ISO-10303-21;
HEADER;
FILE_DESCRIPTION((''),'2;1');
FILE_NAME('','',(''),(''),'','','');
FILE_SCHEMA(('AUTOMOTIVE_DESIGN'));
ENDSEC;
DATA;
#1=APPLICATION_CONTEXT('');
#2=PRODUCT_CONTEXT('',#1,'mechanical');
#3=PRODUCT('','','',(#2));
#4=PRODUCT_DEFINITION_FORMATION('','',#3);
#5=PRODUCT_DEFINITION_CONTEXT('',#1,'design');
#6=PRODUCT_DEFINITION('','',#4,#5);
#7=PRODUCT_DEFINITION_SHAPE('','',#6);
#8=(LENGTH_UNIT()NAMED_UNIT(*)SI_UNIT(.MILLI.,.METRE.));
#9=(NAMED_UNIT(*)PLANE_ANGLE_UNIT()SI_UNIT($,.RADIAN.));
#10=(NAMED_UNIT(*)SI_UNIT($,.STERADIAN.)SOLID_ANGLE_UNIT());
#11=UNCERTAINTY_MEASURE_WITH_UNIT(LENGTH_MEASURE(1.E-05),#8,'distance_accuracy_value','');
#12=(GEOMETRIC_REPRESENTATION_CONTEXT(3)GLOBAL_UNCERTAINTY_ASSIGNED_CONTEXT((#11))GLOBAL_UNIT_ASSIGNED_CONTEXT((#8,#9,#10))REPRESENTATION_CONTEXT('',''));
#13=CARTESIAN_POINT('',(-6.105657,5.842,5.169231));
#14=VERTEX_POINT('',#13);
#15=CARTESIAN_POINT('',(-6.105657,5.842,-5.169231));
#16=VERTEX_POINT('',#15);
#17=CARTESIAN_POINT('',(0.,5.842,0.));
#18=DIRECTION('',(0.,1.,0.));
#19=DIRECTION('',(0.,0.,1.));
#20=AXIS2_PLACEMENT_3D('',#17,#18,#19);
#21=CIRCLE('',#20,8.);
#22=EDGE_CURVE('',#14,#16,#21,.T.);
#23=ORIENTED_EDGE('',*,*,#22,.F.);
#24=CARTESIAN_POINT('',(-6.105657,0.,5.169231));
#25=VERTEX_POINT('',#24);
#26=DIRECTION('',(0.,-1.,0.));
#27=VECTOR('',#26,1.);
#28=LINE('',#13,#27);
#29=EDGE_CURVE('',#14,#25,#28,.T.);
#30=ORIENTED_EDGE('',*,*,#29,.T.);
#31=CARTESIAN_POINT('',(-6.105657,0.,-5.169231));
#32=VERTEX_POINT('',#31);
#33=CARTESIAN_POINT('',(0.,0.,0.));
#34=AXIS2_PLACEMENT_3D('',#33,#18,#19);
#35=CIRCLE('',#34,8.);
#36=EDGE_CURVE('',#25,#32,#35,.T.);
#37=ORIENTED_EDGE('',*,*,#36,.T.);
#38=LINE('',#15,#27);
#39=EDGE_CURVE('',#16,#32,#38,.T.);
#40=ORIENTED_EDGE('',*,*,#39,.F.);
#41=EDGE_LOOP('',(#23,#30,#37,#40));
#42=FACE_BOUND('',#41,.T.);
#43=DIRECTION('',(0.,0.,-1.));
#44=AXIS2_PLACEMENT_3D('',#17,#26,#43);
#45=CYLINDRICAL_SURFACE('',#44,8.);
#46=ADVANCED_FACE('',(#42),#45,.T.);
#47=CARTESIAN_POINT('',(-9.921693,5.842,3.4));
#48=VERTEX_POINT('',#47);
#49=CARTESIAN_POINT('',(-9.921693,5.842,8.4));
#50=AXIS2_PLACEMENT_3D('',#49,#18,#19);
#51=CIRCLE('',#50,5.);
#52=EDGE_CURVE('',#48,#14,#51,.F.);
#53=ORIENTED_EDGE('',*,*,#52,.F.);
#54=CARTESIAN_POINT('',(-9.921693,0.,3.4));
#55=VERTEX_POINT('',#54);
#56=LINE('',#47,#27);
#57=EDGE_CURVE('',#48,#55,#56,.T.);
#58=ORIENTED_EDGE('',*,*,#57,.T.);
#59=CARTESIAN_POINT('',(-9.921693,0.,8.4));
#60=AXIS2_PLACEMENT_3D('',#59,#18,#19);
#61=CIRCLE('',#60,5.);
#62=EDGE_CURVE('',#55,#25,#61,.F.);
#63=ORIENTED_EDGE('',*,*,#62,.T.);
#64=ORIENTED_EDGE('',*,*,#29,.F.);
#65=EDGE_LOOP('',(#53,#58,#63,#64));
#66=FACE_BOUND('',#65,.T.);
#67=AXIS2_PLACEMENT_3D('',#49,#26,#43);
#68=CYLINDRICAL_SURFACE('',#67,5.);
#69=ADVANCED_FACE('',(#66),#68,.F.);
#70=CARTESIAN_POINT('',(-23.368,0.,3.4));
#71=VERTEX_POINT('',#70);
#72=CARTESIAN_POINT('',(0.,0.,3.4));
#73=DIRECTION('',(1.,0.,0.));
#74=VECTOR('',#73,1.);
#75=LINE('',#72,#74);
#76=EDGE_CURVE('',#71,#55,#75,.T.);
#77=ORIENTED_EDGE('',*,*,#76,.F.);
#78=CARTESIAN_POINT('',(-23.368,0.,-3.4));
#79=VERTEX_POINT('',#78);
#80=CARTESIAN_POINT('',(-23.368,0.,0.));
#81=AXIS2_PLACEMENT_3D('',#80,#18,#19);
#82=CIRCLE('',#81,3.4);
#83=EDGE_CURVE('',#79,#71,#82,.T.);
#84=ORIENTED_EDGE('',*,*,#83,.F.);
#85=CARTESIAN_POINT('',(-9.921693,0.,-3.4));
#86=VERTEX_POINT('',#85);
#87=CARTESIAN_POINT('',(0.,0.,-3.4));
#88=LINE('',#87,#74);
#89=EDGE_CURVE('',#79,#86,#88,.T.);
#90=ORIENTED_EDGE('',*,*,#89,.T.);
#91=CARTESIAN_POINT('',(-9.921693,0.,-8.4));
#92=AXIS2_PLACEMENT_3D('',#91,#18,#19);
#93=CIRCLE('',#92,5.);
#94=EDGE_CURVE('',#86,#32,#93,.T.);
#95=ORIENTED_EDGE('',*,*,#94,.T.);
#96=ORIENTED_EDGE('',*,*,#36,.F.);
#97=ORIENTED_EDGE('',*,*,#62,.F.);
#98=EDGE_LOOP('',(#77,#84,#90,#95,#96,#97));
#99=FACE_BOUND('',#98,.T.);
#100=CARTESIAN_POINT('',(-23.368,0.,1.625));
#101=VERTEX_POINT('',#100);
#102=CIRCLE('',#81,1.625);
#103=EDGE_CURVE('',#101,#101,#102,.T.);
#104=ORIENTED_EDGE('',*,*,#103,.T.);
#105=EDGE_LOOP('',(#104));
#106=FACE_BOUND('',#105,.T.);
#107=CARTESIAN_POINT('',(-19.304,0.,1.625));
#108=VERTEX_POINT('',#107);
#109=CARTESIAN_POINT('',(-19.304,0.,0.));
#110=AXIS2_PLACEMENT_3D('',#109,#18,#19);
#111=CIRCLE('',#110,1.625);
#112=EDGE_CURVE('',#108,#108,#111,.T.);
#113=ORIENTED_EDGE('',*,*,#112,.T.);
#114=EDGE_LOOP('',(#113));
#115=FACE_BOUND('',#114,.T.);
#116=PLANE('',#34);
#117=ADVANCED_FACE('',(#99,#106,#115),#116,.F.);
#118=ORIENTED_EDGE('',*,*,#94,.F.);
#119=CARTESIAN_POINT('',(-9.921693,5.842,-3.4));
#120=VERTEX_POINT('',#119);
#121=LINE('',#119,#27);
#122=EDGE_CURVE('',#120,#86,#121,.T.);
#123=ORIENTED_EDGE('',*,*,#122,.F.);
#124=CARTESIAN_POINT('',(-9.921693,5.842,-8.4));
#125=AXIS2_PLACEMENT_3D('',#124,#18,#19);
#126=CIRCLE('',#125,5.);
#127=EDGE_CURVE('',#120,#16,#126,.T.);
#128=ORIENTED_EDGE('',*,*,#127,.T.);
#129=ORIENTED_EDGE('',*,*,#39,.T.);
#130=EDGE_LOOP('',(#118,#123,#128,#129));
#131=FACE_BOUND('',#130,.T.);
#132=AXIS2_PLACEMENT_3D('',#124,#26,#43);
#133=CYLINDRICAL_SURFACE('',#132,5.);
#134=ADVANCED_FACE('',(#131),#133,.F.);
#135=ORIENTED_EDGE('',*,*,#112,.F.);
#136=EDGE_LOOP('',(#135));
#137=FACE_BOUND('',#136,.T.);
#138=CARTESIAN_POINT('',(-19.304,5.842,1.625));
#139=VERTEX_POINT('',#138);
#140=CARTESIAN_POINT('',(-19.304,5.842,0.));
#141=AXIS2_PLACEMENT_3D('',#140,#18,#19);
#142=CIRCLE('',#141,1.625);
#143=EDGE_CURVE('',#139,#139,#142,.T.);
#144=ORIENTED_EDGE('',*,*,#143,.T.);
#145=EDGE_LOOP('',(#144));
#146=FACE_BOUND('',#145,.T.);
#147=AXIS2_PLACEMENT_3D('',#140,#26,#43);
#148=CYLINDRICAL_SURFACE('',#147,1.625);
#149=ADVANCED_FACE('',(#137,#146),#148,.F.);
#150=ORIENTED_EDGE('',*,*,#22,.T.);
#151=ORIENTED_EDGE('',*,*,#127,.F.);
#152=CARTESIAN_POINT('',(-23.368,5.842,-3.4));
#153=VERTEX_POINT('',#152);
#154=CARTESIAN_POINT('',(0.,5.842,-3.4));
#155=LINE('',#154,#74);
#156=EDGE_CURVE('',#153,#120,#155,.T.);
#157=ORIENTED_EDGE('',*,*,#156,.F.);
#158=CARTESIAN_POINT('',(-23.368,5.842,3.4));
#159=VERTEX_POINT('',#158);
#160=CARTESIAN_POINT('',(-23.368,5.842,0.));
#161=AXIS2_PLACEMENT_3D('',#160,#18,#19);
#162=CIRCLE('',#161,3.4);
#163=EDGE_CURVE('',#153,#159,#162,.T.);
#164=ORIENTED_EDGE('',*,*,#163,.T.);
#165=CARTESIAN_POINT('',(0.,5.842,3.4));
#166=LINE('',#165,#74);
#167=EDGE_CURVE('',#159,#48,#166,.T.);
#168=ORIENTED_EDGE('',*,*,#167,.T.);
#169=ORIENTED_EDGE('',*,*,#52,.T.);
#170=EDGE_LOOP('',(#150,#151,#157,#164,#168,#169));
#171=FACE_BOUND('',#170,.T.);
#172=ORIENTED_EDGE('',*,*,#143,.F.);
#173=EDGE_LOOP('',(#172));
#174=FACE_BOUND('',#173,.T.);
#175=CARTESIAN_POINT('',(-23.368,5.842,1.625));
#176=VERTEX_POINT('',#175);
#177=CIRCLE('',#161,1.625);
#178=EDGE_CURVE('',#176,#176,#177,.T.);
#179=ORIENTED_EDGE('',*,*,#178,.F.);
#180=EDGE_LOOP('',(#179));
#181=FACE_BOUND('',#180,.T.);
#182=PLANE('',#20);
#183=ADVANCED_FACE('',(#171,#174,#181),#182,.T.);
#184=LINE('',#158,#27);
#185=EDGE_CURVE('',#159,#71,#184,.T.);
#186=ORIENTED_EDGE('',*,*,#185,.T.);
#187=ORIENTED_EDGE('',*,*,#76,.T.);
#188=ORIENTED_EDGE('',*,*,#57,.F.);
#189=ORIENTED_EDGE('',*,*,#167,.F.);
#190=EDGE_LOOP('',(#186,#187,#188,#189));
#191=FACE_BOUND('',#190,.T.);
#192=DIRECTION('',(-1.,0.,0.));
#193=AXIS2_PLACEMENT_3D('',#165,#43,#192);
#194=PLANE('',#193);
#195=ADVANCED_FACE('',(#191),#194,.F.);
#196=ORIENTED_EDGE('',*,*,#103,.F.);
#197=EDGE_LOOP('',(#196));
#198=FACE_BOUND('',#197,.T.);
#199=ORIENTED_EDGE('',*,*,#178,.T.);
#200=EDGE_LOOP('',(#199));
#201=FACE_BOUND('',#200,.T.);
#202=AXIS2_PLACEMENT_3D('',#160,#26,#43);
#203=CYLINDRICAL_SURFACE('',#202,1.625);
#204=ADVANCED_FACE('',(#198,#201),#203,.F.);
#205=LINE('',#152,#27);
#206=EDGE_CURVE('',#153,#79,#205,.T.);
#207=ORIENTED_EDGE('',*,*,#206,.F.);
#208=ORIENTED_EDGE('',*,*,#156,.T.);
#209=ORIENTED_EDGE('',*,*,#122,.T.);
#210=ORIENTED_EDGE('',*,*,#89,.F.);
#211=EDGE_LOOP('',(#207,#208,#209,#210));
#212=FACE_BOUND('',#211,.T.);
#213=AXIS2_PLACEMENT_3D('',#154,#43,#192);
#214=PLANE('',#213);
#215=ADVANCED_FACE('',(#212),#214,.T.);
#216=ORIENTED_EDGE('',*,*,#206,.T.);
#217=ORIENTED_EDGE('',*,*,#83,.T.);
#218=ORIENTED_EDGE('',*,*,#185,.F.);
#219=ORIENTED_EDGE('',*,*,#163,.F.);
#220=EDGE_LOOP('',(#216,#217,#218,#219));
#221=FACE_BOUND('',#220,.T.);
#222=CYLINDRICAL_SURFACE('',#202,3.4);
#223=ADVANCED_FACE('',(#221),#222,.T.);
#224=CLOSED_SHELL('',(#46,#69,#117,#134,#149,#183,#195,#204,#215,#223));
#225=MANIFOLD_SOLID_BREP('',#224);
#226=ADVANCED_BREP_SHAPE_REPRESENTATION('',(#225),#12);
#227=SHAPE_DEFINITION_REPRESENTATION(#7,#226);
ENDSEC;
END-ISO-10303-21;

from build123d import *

# Parameters (mm, degrees)
SKETCH1_R           = 1.625
BOSS_EXTRUDE1_DEPTH = 5.842


with BuildPart() as part:
    # Sketch1 → Boss-Extrude1 (new body)
    with BuildSketch(Plane(origin=(0, 0, 0), x_dir=(1, 0, 0), z_dir=(0, 1, 0))):
        with BuildLine():
            Line((-9.921693404, 3.4), (-23.368, 3.4))
            ThreePointArc((-23.368, 3.4), (-26.768, 0), (-23.368, -3.4))
            Line((-23.368, -3.4), (-9.921693404, -3.4))
            ThreePointArc((-9.921693404, -3.4), (-7.818582155, -3.863820652), (-6.105657479, -5.169230769))
            ThreePointArc((-6.105657479, -5.169230769), (8, 0), (-6.105657479, 5.169230769))
            ThreePointArc((-6.105657479, 5.169230769), (-7.818582155, 3.863820652), (-9.921693404, 3.4))
        make_face()
        with Locations((-23.368, 0)):
            Circle(SKETCH1_R, mode=Mode.SUBTRACT)
        with Locations((-19.304, 0)):
            Circle(SKETCH1_R, mode=Mode.SUBTRACT)
    extrude(amount=BOSS_EXTRUDE1_DEPTH)


solid = part.part
